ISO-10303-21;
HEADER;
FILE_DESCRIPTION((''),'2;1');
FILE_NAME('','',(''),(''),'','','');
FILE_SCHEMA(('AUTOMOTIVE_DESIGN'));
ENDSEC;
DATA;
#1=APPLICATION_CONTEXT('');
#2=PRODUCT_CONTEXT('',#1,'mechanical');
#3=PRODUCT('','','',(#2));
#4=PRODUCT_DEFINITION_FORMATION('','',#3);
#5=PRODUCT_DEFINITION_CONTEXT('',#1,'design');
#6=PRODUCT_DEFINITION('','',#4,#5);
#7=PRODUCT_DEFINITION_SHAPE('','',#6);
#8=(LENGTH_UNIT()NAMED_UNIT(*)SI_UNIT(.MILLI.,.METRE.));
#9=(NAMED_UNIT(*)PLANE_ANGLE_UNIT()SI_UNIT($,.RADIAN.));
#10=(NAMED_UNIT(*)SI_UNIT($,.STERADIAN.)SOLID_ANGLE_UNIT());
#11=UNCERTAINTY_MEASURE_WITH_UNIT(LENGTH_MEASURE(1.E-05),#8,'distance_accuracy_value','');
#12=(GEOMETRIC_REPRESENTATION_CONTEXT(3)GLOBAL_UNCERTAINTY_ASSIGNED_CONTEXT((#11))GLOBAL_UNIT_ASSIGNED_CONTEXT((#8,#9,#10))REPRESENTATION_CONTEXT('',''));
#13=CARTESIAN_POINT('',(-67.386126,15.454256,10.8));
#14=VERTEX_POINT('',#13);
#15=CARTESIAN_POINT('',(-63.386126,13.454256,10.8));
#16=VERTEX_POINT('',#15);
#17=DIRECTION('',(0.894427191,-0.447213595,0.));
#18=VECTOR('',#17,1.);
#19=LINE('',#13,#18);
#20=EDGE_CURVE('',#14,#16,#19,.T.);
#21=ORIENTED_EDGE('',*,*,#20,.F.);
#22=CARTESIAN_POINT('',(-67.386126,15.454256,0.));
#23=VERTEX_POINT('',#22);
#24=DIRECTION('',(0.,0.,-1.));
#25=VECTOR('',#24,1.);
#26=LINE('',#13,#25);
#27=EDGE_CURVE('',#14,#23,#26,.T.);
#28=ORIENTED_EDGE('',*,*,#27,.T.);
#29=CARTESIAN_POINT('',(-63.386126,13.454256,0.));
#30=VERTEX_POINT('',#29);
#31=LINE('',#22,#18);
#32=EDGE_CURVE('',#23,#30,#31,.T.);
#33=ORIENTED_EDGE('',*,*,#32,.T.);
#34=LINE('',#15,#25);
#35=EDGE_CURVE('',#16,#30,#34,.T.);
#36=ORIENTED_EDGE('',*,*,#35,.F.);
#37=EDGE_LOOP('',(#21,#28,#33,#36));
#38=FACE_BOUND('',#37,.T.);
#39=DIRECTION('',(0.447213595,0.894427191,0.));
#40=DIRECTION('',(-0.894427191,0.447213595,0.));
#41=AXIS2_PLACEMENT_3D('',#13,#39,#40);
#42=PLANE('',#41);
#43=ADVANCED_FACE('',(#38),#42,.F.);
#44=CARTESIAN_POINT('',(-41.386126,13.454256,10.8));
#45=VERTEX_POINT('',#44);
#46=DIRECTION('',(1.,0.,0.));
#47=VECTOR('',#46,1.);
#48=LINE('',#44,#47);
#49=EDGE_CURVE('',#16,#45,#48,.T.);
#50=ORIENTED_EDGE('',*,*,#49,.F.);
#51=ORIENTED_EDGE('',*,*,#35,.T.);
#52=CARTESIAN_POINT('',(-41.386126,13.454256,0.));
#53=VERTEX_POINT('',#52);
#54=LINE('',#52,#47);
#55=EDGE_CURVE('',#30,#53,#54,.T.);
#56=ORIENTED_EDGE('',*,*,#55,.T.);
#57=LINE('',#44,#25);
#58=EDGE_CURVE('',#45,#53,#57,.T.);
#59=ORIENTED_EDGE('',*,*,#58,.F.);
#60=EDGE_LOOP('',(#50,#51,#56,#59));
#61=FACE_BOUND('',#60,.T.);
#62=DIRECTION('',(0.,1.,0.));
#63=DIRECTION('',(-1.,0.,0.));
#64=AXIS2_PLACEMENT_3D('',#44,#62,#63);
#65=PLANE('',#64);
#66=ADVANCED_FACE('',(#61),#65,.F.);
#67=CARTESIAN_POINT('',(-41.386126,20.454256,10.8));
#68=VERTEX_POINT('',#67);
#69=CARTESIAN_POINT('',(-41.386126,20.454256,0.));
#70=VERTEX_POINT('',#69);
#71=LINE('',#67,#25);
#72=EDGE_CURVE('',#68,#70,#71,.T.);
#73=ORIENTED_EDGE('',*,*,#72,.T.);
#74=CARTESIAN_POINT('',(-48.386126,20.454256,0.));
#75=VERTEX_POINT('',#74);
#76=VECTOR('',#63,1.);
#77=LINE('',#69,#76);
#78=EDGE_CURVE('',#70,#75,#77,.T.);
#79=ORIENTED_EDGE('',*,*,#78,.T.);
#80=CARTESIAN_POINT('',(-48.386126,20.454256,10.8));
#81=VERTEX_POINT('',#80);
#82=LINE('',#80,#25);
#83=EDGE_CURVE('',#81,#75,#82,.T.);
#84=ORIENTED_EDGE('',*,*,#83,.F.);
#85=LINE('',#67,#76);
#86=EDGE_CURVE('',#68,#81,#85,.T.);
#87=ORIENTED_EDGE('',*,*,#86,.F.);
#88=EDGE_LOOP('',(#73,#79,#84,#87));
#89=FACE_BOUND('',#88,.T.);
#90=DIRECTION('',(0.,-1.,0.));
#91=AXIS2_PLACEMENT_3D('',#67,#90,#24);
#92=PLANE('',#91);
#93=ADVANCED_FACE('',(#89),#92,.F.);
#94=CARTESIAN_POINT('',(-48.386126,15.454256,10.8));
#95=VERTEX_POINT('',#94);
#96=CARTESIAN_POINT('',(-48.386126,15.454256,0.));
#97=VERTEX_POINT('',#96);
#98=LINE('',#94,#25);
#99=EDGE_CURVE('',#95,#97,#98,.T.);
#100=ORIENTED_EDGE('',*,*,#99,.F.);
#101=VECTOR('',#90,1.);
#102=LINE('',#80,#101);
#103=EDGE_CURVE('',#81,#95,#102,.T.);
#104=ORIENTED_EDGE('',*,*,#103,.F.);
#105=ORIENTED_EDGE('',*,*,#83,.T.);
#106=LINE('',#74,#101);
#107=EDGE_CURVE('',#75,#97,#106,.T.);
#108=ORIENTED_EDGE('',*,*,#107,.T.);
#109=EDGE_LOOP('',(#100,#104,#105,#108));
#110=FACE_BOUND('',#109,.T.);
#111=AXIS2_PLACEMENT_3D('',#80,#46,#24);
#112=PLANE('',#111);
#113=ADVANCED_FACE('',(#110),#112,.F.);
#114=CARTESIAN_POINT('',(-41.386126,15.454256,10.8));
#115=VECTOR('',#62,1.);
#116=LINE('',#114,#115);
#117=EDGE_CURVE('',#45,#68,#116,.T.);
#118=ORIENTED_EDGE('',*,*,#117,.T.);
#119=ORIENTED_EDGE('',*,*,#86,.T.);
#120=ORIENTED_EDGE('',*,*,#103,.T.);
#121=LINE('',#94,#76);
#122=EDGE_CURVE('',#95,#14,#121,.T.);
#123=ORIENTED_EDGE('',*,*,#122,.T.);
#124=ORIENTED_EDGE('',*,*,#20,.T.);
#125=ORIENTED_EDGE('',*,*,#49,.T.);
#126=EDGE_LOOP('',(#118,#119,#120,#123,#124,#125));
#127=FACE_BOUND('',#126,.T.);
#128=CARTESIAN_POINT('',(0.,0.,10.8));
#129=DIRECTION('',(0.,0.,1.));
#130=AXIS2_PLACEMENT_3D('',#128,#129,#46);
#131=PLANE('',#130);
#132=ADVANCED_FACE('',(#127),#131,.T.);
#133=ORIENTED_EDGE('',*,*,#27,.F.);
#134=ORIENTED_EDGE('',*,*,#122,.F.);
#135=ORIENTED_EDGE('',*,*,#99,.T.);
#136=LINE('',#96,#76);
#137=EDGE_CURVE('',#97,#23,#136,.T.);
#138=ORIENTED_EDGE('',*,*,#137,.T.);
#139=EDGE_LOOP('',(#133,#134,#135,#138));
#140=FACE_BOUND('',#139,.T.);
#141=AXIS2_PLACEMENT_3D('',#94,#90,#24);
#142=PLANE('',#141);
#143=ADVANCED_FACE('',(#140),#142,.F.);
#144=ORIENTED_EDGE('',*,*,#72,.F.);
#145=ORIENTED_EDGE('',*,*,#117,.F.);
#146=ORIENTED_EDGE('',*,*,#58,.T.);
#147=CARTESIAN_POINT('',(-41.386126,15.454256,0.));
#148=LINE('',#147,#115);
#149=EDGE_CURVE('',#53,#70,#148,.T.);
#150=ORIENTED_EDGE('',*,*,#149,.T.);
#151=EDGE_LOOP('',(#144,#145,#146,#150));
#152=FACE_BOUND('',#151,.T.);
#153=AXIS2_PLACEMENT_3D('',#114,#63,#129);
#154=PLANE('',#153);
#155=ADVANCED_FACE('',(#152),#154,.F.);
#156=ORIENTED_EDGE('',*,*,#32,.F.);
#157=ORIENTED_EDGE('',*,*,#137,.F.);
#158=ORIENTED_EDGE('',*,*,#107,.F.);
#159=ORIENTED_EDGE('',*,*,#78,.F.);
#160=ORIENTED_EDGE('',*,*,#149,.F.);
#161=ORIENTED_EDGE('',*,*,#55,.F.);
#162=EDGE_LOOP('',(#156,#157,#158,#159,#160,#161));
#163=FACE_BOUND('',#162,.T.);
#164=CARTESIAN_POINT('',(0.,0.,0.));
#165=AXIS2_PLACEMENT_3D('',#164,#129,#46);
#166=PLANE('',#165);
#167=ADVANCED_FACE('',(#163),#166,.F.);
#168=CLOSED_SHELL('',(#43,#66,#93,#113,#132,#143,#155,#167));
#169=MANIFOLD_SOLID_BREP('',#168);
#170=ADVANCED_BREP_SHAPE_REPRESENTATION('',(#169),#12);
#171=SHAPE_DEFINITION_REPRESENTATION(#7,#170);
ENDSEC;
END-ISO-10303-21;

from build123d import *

# Parameters (mm, degrees)
SALIENTE_EXTRUIR1_DEPTH = 10.8


with BuildPart() as part:
    # Croquis1 → Saliente-Extruir1 (new body)
    with BuildSketch(Plane.XY):
        Polygon((-41.386126084, 15.454256189), (-41.386126084, 13.454256189), (-63.386126084, 13.454256189), (-67.386126084, 15.454256189), (-48.386126084, 15.454256189), (-48.386126084, 20.454256189), (-41.386126084, 20.454256189), align=None)
    extrude(amount=SALIENTE_EXTRUIR1_DEPTH)


solid = part.part
